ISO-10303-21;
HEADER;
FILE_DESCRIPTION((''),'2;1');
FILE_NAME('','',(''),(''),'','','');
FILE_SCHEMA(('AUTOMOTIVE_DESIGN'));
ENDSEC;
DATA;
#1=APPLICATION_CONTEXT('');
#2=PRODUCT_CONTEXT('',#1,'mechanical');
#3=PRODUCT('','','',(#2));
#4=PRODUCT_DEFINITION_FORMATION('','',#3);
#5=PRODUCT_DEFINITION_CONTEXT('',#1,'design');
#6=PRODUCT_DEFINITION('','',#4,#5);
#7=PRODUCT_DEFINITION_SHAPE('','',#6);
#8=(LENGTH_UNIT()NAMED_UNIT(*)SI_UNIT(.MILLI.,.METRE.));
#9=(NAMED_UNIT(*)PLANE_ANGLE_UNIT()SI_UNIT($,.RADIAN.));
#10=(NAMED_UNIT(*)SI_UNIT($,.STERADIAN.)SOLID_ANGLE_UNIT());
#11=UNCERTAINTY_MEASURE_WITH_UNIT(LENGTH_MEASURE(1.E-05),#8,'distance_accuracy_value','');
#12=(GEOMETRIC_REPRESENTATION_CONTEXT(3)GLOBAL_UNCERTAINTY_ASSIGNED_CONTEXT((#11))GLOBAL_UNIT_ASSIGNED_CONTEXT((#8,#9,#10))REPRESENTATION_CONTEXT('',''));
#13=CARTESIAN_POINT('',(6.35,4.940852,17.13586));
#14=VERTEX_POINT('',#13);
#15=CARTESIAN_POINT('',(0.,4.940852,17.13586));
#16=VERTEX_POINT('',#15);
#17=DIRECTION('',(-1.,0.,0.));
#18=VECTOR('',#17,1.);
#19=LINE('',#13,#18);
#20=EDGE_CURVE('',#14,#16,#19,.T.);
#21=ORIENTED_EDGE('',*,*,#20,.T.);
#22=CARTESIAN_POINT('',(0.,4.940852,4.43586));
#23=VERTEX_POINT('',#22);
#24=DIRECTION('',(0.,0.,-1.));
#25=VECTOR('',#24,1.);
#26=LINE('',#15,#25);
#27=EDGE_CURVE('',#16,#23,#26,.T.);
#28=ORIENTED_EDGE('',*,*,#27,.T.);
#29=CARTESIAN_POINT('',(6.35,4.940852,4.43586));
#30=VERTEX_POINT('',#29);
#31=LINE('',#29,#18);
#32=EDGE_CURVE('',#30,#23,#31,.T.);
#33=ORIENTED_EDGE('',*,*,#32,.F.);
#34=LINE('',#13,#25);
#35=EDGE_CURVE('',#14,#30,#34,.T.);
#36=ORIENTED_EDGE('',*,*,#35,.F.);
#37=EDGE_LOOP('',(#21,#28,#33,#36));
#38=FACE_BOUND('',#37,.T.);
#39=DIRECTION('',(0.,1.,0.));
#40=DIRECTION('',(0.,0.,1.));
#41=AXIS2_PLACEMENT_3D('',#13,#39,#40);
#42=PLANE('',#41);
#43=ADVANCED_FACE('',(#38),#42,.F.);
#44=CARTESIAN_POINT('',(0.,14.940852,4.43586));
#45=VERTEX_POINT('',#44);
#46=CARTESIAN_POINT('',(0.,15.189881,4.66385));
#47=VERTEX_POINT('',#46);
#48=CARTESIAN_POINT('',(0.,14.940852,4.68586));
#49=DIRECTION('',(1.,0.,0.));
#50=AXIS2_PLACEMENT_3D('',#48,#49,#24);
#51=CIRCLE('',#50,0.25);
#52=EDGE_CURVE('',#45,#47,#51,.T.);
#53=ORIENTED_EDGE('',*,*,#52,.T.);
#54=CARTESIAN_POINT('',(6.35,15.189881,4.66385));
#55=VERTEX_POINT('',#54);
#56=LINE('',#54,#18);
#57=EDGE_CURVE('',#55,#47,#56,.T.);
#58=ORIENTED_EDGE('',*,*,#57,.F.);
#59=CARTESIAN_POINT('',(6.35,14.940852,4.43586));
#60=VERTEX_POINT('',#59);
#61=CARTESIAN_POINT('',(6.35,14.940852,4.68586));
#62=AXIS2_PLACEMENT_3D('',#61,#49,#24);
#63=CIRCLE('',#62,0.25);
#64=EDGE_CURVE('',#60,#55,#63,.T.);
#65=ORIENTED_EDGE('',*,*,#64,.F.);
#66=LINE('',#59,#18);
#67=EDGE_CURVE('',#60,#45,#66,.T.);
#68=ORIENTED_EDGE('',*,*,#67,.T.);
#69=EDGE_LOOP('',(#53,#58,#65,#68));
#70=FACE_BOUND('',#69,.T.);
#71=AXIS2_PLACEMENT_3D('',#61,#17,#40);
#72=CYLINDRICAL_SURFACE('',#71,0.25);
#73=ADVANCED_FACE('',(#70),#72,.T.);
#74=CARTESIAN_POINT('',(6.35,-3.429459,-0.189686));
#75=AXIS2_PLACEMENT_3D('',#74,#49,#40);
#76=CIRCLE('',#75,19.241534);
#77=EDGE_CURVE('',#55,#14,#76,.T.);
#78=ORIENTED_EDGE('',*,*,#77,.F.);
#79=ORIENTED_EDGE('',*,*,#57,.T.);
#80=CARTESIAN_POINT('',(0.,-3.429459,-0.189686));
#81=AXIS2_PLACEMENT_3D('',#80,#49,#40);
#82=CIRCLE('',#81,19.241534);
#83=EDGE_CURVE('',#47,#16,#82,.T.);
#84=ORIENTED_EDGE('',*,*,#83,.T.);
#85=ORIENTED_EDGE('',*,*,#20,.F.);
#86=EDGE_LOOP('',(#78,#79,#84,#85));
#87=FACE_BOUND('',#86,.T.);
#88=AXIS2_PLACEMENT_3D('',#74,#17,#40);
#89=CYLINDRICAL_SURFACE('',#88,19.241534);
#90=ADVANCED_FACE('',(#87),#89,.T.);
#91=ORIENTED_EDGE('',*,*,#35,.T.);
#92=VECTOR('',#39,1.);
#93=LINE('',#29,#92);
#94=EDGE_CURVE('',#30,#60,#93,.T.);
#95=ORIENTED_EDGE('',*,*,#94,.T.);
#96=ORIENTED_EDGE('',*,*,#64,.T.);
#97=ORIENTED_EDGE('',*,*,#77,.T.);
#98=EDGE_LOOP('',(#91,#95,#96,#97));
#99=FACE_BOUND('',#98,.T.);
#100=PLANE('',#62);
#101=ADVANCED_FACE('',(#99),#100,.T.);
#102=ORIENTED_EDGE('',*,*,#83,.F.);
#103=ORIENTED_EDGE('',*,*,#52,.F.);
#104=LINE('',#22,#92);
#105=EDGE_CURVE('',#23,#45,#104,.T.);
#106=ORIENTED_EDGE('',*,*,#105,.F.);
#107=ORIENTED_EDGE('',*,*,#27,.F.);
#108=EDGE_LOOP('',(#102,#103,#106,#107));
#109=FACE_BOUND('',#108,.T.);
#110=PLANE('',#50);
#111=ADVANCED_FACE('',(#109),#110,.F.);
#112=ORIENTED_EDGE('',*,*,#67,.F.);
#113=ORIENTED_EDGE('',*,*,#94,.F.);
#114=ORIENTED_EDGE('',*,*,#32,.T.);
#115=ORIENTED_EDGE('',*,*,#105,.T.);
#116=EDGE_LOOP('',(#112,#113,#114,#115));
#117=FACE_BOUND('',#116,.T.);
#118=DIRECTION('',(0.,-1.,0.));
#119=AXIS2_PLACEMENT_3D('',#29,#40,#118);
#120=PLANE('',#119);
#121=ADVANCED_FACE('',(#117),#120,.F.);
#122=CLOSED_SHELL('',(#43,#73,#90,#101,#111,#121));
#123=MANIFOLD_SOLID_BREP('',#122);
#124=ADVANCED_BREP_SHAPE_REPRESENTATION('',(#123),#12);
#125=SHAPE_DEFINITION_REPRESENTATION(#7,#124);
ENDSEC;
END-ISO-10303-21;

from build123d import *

# Parameters (mm, degrees)
BOSS_EXTRUDE1_DEPTH = 6.35


with BuildPart() as part:
    # Sketch1 → Boss-Extrude1 (new body)
    with BuildSketch(Plane(origin=(0, 0, 0), x_dir=(0, 0, -1), z_dir=(1, 0, 0))):
        with BuildLine():
            Line((-17.135859979, 4.940851666), (-4.435859979, 4.940851666))
            Line((-4.435859979, 4.940851666), (-4.435859979, 14.940851666))
            ThreePointArc((-4.435859979, 14.940851666), (-4.501465752, 15.10966745), (-4.66385013, 15.189880915))
            ThreePointArc((-4.66385013, 15.189880915), (-12.026637987, 11.436544721), (-17.135859979, 4.940851666))
        make_face()
    extrude(amount=BOSS_EXTRUDE1_DEPTH)


solid = part.part
